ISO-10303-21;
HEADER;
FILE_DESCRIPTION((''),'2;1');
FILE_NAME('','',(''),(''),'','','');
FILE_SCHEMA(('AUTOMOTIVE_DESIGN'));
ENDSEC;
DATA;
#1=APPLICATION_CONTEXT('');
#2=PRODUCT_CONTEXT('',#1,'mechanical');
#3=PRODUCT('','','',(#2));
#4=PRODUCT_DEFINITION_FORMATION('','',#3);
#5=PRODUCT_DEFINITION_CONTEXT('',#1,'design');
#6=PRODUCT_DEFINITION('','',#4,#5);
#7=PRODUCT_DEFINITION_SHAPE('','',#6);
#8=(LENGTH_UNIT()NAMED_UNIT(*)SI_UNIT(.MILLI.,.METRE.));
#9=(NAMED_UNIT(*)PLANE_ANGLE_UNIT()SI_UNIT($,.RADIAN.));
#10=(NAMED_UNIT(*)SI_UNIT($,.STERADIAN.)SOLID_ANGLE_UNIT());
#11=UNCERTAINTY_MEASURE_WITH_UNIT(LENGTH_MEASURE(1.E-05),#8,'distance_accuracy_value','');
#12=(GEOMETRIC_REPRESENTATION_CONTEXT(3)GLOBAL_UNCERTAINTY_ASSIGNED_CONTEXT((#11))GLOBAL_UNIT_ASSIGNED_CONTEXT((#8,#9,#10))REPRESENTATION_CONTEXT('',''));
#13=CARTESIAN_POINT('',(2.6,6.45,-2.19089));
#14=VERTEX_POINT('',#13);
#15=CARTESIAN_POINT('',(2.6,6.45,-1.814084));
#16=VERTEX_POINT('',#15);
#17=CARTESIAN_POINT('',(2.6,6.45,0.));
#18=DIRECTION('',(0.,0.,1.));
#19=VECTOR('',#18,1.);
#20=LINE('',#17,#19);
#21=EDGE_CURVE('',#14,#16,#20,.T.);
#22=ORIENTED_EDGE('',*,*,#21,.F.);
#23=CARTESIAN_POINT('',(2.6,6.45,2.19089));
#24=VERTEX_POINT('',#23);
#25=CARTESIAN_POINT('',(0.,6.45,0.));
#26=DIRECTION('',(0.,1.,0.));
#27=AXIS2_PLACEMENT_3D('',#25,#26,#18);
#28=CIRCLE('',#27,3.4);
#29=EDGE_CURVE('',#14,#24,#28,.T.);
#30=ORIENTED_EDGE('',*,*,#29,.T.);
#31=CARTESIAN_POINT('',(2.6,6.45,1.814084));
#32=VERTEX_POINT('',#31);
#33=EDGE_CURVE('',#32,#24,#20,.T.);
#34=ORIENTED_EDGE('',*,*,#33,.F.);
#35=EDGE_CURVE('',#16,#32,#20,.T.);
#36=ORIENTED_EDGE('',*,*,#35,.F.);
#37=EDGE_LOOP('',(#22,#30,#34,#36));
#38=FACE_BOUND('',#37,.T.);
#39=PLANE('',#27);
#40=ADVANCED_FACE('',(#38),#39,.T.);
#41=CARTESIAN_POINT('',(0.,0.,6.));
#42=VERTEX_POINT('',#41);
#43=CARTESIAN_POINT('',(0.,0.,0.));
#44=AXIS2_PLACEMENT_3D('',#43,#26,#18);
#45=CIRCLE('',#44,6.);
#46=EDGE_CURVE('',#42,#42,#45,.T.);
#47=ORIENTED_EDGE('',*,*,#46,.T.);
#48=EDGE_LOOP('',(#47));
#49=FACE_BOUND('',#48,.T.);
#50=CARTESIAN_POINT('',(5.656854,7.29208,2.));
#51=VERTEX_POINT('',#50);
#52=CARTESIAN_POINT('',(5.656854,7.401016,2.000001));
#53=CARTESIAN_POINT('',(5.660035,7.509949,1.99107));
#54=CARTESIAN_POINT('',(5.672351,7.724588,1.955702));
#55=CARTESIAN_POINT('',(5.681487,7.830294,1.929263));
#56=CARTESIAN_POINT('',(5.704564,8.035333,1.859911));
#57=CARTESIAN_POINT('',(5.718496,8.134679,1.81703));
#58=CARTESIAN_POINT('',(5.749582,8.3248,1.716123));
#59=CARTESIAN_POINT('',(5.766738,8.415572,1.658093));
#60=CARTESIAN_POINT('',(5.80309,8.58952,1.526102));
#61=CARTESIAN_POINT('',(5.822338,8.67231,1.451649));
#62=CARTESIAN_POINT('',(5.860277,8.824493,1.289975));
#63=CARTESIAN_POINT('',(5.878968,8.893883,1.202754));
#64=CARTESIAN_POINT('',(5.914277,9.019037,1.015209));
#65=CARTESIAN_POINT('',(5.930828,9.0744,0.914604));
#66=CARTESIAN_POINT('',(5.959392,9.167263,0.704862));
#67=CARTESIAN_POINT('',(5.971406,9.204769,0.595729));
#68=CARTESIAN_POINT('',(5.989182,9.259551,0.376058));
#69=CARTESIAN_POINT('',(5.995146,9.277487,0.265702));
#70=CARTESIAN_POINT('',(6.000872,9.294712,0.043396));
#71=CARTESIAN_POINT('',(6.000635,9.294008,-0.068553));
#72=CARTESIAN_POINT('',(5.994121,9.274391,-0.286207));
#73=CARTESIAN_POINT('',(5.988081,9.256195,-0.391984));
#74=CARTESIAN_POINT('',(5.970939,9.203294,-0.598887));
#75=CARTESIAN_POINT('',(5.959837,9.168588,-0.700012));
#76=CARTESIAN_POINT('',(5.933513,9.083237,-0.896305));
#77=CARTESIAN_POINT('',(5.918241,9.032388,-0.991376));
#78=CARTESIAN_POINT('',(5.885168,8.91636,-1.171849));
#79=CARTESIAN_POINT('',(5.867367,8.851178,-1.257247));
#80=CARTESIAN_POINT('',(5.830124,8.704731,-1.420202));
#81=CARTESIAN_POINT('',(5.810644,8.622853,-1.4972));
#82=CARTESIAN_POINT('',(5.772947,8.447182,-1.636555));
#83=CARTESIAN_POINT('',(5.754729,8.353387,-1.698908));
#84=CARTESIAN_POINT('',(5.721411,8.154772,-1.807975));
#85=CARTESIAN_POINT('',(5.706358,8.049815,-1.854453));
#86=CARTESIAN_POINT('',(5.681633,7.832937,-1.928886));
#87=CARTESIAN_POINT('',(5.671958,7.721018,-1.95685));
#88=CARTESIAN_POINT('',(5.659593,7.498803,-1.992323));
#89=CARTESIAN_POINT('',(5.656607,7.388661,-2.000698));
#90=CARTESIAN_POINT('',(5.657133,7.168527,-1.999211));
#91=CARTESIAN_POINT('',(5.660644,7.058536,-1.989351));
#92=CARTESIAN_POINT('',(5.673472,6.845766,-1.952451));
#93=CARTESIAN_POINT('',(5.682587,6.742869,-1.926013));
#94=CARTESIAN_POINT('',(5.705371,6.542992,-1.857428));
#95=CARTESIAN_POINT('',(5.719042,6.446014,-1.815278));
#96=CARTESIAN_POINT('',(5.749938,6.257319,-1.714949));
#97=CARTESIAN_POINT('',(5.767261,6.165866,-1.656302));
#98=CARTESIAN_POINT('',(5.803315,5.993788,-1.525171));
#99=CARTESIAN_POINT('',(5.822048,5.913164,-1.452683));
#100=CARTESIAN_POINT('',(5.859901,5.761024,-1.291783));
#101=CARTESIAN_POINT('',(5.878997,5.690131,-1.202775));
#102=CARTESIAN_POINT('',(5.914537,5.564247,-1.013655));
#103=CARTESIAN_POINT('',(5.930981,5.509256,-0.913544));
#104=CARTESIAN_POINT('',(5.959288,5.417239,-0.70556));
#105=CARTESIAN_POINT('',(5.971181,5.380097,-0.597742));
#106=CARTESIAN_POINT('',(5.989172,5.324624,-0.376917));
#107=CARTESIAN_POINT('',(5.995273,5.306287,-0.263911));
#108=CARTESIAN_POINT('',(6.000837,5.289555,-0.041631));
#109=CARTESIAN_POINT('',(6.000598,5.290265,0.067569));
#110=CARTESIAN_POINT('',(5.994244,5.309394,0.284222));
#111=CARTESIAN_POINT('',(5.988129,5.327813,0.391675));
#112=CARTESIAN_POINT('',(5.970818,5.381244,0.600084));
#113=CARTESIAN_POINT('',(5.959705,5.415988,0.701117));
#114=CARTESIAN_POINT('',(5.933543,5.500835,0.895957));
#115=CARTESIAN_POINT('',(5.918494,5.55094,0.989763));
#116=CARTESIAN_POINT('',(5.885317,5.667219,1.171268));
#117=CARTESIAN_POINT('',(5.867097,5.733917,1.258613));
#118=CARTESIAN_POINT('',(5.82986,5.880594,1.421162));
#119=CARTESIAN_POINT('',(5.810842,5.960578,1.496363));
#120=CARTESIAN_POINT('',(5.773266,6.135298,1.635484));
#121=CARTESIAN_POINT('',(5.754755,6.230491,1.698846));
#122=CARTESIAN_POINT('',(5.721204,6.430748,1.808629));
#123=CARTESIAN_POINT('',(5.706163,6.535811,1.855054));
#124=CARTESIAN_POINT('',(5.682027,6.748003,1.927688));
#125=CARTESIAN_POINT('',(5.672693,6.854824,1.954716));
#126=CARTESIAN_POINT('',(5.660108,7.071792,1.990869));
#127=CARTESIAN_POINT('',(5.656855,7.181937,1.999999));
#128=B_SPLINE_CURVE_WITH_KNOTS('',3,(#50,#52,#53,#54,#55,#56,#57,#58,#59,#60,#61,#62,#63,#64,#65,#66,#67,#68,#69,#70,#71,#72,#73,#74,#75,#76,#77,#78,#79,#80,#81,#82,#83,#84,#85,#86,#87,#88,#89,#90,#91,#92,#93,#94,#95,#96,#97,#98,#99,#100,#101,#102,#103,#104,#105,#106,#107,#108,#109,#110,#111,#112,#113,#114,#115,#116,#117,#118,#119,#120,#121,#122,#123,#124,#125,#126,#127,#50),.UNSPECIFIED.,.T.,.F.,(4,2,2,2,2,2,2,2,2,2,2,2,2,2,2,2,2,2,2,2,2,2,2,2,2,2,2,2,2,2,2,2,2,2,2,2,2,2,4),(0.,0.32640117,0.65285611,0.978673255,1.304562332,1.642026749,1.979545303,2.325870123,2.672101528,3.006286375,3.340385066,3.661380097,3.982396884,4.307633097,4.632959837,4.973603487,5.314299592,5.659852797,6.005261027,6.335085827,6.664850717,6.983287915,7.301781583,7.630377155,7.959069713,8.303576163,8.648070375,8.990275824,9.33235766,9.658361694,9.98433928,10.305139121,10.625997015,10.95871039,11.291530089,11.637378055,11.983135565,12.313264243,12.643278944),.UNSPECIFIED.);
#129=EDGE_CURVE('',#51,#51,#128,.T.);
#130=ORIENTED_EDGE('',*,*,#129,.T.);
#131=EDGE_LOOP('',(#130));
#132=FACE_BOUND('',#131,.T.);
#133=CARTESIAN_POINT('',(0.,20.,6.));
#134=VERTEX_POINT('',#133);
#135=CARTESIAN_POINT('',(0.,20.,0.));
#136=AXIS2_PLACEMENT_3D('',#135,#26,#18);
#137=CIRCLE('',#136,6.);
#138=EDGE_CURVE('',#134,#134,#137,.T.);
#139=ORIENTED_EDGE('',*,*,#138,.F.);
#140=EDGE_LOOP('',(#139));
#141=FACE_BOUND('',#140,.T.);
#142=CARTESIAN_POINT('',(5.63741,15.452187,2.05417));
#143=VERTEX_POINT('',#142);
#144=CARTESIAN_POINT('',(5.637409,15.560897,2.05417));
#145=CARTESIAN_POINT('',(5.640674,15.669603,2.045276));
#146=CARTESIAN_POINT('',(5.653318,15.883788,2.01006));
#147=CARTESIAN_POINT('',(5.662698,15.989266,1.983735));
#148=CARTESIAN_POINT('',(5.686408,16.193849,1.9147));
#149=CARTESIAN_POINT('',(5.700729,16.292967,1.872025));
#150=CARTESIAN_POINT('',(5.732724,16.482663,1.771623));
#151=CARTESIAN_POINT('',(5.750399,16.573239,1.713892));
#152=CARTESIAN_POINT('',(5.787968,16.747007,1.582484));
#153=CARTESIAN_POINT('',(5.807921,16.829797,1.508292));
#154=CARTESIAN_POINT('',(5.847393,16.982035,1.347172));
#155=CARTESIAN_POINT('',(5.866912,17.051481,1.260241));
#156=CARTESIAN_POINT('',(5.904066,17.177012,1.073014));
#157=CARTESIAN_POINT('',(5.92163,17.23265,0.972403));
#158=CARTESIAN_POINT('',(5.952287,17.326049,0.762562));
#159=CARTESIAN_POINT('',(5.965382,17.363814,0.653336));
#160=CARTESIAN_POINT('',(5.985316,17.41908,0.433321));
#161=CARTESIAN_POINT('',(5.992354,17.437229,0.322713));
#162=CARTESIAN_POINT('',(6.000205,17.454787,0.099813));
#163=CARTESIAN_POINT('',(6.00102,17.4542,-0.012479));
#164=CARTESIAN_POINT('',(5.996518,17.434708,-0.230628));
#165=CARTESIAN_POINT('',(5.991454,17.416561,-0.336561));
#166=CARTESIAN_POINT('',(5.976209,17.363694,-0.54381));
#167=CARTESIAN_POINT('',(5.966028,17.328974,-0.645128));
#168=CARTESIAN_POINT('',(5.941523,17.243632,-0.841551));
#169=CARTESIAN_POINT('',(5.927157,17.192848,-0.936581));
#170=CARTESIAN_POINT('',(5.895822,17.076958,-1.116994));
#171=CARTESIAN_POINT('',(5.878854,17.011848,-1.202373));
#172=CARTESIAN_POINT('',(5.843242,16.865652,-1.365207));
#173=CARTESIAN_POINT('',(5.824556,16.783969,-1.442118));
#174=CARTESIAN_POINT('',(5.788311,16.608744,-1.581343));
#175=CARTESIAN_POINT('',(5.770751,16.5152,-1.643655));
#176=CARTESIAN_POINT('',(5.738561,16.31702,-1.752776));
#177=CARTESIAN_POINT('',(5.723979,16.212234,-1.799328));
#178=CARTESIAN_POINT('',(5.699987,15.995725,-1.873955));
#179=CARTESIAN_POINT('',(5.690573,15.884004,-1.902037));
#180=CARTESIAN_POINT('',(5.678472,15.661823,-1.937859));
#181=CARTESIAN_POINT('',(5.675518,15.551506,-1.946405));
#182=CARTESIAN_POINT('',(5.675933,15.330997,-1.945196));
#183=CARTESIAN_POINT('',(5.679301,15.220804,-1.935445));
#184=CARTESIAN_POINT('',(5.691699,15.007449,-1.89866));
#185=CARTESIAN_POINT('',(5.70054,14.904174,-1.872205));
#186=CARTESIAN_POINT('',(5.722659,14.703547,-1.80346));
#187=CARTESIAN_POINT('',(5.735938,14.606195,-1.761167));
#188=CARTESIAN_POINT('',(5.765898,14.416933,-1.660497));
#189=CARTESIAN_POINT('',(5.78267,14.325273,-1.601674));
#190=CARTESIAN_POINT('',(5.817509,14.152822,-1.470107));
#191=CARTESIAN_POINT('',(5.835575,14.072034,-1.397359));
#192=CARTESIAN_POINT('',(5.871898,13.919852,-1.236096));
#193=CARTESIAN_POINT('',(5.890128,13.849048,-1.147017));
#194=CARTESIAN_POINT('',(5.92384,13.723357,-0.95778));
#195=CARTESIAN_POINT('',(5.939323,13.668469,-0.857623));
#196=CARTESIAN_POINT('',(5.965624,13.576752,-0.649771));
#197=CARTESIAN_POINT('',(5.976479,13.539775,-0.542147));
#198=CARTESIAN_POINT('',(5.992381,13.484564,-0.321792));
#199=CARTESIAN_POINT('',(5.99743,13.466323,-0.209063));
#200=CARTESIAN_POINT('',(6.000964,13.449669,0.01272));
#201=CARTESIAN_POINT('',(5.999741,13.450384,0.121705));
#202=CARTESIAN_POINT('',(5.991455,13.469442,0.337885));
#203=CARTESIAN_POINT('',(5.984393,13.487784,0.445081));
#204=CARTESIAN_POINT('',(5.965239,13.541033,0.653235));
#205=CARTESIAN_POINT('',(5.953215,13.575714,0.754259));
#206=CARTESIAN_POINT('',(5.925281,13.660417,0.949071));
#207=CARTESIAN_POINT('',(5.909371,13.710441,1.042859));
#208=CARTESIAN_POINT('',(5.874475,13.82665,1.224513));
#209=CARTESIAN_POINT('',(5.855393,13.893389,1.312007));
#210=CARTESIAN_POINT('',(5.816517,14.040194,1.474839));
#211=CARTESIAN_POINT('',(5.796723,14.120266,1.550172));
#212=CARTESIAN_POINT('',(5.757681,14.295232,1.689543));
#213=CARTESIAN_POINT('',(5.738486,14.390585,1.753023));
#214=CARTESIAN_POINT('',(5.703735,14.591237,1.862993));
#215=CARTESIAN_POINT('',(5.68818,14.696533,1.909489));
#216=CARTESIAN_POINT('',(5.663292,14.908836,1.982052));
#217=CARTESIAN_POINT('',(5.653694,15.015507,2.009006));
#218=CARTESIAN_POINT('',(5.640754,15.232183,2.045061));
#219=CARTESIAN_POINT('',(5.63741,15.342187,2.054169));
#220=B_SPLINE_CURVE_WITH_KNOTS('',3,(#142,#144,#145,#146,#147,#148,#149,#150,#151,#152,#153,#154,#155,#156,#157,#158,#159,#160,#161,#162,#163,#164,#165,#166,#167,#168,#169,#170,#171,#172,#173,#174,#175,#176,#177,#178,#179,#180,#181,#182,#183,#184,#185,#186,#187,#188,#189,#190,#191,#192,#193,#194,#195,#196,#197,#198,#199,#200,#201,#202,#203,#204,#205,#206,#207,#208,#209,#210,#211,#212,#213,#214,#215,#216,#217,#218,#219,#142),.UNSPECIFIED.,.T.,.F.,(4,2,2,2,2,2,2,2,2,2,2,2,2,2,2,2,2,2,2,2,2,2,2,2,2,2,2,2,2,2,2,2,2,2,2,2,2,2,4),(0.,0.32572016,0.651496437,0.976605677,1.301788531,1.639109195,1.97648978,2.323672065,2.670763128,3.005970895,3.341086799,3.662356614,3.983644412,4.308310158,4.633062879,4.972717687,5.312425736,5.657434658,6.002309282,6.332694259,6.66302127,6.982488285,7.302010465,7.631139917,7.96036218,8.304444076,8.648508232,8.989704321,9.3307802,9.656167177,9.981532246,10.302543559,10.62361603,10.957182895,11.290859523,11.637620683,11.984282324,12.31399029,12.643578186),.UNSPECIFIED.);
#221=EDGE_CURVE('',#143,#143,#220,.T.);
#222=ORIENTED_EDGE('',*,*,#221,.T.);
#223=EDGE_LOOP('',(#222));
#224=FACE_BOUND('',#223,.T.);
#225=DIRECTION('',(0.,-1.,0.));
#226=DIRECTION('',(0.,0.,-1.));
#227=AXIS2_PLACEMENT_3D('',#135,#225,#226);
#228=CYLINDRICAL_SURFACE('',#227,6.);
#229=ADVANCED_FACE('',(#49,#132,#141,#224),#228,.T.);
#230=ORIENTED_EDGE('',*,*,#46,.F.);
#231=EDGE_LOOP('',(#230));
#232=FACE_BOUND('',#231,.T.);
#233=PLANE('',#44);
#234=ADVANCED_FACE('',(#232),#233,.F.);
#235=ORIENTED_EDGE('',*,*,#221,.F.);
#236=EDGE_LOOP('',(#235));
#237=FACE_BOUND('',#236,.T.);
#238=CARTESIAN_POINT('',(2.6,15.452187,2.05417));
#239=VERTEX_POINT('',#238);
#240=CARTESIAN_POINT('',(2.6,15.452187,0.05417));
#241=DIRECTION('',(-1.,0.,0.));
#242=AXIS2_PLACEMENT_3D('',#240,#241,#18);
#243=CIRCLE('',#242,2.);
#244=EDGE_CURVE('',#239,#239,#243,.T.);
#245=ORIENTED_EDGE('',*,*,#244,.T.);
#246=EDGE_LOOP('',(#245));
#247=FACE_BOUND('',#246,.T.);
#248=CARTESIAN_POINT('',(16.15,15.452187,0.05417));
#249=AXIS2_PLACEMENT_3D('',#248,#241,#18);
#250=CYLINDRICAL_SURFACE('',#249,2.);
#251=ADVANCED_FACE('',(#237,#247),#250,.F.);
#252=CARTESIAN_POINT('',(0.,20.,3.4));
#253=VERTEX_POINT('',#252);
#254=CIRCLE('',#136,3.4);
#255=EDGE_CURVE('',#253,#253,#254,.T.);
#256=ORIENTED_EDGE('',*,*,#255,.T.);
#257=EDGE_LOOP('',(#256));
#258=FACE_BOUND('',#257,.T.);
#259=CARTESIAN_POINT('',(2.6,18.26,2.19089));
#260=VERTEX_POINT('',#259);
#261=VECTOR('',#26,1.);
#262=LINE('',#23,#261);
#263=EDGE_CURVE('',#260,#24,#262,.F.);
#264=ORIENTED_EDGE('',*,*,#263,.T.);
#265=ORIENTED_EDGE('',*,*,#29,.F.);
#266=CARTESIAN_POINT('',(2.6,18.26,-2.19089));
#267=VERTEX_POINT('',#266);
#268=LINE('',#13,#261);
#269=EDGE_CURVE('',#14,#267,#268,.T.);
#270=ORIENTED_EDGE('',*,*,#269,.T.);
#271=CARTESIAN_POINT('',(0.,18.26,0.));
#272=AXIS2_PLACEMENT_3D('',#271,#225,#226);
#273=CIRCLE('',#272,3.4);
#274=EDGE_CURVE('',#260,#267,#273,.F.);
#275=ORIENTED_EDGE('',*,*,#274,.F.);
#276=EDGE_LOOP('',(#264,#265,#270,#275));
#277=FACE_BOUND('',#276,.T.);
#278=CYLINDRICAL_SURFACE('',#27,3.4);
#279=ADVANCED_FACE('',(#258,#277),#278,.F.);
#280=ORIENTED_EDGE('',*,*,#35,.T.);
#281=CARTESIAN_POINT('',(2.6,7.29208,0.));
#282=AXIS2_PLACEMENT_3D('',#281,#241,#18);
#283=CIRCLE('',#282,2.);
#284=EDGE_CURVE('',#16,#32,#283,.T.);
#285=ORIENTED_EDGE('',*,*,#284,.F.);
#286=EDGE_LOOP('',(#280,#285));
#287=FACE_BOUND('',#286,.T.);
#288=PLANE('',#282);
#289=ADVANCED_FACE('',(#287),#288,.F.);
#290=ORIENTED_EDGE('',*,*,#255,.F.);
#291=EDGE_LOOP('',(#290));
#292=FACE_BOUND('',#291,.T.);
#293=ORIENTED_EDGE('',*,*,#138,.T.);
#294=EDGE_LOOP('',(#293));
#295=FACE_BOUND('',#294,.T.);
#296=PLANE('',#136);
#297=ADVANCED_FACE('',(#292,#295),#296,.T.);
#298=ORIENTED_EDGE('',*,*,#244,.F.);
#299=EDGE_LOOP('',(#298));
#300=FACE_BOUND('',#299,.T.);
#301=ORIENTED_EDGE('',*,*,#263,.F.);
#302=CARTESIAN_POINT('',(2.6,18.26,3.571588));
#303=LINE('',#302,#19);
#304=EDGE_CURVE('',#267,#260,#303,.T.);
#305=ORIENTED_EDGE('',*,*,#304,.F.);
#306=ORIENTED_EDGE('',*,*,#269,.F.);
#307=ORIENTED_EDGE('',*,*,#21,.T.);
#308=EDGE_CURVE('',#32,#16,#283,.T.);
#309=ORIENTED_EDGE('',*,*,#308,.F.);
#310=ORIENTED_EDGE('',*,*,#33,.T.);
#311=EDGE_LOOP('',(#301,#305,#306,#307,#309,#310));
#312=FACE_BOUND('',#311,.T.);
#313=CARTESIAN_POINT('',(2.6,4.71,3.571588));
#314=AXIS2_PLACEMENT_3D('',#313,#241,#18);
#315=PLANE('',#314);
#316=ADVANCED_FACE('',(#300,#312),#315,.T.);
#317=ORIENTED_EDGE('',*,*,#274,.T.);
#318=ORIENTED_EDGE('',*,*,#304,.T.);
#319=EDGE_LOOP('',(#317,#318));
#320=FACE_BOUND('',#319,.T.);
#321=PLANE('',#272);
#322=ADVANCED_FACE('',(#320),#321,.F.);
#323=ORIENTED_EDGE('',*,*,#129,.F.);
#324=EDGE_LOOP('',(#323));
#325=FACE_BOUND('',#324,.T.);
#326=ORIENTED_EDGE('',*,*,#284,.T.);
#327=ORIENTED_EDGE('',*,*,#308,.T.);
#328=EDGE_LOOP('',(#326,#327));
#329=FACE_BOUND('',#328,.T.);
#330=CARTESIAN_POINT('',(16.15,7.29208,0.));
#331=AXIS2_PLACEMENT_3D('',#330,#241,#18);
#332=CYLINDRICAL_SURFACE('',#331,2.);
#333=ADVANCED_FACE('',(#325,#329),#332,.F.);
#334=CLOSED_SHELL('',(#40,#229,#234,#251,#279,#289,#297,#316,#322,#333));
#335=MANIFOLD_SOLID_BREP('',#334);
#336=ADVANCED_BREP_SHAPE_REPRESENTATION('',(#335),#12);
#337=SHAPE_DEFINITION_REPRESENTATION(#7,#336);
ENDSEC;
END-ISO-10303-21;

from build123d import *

# Parameters (mm, degrees)
SKETCH1_R           = 6
BOSS_EXTRUDE1_DEPTH = 20
SKETCH2_R           = 3.4
CUT_EXTRUDE1_DEPTH  = 13.55
SKETCH5_W           = 1.550685087
SKETCH5_H           = 7.184215806
BOSS_EXTRUDE2_DEPTH = 13.55
SKETCH6_R           = 2
CUT_EXTRUDE2_DEPTH  = 13.55


with BuildPart() as part:
    # Sketch1 → Boss-Extrude1 (new body)
    with BuildSketch(Plane(origin=(0, 0, 0), x_dir=(1, 0, 0), z_dir=(0, 1, 0))):
        Circle(SKETCH1_R)
    extrude(amount=BOSS_EXTRUDE1_DEPTH)

    # Sketch2 → Cut-Extrude1 (cut)
    with BuildSketch(Plane(origin=(0, 20, 0), x_dir=(1, 0, 0), z_dir=(0, 1, 0))):
        Circle(SKETCH2_R)
    extrude(amount=-CUT_EXTRUDE1_DEPTH, mode=Mode.SUBTRACT)

    # Sketch5 → Boss-Extrude2 (add)
    with BuildSketch(Plane(origin=(0, 18.26, 0), x_dir=(1, 0, 0), z_dir=(0, 1, 0))):
        with Locations((3.375342544, 0.020519704)):
            Rectangle(SKETCH5_W, SKETCH5_H)
    extrude(amount=-BOSS_EXTRUDE2_DEPTH)

    # Sketch6 → Cut-Extrude2 (cut)
    with BuildSketch(Plane.ZY.offset(-2.6)):
        with Locations((0.054169736, 15.452187313)):
            Circle(SKETCH6_R)
        with Locations((0, 7.29207964)):
            Circle(SKETCH6_R)
    extrude(amount=-CUT_EXTRUDE2_DEPTH, mode=Mode.SUBTRACT)


solid = part.part
